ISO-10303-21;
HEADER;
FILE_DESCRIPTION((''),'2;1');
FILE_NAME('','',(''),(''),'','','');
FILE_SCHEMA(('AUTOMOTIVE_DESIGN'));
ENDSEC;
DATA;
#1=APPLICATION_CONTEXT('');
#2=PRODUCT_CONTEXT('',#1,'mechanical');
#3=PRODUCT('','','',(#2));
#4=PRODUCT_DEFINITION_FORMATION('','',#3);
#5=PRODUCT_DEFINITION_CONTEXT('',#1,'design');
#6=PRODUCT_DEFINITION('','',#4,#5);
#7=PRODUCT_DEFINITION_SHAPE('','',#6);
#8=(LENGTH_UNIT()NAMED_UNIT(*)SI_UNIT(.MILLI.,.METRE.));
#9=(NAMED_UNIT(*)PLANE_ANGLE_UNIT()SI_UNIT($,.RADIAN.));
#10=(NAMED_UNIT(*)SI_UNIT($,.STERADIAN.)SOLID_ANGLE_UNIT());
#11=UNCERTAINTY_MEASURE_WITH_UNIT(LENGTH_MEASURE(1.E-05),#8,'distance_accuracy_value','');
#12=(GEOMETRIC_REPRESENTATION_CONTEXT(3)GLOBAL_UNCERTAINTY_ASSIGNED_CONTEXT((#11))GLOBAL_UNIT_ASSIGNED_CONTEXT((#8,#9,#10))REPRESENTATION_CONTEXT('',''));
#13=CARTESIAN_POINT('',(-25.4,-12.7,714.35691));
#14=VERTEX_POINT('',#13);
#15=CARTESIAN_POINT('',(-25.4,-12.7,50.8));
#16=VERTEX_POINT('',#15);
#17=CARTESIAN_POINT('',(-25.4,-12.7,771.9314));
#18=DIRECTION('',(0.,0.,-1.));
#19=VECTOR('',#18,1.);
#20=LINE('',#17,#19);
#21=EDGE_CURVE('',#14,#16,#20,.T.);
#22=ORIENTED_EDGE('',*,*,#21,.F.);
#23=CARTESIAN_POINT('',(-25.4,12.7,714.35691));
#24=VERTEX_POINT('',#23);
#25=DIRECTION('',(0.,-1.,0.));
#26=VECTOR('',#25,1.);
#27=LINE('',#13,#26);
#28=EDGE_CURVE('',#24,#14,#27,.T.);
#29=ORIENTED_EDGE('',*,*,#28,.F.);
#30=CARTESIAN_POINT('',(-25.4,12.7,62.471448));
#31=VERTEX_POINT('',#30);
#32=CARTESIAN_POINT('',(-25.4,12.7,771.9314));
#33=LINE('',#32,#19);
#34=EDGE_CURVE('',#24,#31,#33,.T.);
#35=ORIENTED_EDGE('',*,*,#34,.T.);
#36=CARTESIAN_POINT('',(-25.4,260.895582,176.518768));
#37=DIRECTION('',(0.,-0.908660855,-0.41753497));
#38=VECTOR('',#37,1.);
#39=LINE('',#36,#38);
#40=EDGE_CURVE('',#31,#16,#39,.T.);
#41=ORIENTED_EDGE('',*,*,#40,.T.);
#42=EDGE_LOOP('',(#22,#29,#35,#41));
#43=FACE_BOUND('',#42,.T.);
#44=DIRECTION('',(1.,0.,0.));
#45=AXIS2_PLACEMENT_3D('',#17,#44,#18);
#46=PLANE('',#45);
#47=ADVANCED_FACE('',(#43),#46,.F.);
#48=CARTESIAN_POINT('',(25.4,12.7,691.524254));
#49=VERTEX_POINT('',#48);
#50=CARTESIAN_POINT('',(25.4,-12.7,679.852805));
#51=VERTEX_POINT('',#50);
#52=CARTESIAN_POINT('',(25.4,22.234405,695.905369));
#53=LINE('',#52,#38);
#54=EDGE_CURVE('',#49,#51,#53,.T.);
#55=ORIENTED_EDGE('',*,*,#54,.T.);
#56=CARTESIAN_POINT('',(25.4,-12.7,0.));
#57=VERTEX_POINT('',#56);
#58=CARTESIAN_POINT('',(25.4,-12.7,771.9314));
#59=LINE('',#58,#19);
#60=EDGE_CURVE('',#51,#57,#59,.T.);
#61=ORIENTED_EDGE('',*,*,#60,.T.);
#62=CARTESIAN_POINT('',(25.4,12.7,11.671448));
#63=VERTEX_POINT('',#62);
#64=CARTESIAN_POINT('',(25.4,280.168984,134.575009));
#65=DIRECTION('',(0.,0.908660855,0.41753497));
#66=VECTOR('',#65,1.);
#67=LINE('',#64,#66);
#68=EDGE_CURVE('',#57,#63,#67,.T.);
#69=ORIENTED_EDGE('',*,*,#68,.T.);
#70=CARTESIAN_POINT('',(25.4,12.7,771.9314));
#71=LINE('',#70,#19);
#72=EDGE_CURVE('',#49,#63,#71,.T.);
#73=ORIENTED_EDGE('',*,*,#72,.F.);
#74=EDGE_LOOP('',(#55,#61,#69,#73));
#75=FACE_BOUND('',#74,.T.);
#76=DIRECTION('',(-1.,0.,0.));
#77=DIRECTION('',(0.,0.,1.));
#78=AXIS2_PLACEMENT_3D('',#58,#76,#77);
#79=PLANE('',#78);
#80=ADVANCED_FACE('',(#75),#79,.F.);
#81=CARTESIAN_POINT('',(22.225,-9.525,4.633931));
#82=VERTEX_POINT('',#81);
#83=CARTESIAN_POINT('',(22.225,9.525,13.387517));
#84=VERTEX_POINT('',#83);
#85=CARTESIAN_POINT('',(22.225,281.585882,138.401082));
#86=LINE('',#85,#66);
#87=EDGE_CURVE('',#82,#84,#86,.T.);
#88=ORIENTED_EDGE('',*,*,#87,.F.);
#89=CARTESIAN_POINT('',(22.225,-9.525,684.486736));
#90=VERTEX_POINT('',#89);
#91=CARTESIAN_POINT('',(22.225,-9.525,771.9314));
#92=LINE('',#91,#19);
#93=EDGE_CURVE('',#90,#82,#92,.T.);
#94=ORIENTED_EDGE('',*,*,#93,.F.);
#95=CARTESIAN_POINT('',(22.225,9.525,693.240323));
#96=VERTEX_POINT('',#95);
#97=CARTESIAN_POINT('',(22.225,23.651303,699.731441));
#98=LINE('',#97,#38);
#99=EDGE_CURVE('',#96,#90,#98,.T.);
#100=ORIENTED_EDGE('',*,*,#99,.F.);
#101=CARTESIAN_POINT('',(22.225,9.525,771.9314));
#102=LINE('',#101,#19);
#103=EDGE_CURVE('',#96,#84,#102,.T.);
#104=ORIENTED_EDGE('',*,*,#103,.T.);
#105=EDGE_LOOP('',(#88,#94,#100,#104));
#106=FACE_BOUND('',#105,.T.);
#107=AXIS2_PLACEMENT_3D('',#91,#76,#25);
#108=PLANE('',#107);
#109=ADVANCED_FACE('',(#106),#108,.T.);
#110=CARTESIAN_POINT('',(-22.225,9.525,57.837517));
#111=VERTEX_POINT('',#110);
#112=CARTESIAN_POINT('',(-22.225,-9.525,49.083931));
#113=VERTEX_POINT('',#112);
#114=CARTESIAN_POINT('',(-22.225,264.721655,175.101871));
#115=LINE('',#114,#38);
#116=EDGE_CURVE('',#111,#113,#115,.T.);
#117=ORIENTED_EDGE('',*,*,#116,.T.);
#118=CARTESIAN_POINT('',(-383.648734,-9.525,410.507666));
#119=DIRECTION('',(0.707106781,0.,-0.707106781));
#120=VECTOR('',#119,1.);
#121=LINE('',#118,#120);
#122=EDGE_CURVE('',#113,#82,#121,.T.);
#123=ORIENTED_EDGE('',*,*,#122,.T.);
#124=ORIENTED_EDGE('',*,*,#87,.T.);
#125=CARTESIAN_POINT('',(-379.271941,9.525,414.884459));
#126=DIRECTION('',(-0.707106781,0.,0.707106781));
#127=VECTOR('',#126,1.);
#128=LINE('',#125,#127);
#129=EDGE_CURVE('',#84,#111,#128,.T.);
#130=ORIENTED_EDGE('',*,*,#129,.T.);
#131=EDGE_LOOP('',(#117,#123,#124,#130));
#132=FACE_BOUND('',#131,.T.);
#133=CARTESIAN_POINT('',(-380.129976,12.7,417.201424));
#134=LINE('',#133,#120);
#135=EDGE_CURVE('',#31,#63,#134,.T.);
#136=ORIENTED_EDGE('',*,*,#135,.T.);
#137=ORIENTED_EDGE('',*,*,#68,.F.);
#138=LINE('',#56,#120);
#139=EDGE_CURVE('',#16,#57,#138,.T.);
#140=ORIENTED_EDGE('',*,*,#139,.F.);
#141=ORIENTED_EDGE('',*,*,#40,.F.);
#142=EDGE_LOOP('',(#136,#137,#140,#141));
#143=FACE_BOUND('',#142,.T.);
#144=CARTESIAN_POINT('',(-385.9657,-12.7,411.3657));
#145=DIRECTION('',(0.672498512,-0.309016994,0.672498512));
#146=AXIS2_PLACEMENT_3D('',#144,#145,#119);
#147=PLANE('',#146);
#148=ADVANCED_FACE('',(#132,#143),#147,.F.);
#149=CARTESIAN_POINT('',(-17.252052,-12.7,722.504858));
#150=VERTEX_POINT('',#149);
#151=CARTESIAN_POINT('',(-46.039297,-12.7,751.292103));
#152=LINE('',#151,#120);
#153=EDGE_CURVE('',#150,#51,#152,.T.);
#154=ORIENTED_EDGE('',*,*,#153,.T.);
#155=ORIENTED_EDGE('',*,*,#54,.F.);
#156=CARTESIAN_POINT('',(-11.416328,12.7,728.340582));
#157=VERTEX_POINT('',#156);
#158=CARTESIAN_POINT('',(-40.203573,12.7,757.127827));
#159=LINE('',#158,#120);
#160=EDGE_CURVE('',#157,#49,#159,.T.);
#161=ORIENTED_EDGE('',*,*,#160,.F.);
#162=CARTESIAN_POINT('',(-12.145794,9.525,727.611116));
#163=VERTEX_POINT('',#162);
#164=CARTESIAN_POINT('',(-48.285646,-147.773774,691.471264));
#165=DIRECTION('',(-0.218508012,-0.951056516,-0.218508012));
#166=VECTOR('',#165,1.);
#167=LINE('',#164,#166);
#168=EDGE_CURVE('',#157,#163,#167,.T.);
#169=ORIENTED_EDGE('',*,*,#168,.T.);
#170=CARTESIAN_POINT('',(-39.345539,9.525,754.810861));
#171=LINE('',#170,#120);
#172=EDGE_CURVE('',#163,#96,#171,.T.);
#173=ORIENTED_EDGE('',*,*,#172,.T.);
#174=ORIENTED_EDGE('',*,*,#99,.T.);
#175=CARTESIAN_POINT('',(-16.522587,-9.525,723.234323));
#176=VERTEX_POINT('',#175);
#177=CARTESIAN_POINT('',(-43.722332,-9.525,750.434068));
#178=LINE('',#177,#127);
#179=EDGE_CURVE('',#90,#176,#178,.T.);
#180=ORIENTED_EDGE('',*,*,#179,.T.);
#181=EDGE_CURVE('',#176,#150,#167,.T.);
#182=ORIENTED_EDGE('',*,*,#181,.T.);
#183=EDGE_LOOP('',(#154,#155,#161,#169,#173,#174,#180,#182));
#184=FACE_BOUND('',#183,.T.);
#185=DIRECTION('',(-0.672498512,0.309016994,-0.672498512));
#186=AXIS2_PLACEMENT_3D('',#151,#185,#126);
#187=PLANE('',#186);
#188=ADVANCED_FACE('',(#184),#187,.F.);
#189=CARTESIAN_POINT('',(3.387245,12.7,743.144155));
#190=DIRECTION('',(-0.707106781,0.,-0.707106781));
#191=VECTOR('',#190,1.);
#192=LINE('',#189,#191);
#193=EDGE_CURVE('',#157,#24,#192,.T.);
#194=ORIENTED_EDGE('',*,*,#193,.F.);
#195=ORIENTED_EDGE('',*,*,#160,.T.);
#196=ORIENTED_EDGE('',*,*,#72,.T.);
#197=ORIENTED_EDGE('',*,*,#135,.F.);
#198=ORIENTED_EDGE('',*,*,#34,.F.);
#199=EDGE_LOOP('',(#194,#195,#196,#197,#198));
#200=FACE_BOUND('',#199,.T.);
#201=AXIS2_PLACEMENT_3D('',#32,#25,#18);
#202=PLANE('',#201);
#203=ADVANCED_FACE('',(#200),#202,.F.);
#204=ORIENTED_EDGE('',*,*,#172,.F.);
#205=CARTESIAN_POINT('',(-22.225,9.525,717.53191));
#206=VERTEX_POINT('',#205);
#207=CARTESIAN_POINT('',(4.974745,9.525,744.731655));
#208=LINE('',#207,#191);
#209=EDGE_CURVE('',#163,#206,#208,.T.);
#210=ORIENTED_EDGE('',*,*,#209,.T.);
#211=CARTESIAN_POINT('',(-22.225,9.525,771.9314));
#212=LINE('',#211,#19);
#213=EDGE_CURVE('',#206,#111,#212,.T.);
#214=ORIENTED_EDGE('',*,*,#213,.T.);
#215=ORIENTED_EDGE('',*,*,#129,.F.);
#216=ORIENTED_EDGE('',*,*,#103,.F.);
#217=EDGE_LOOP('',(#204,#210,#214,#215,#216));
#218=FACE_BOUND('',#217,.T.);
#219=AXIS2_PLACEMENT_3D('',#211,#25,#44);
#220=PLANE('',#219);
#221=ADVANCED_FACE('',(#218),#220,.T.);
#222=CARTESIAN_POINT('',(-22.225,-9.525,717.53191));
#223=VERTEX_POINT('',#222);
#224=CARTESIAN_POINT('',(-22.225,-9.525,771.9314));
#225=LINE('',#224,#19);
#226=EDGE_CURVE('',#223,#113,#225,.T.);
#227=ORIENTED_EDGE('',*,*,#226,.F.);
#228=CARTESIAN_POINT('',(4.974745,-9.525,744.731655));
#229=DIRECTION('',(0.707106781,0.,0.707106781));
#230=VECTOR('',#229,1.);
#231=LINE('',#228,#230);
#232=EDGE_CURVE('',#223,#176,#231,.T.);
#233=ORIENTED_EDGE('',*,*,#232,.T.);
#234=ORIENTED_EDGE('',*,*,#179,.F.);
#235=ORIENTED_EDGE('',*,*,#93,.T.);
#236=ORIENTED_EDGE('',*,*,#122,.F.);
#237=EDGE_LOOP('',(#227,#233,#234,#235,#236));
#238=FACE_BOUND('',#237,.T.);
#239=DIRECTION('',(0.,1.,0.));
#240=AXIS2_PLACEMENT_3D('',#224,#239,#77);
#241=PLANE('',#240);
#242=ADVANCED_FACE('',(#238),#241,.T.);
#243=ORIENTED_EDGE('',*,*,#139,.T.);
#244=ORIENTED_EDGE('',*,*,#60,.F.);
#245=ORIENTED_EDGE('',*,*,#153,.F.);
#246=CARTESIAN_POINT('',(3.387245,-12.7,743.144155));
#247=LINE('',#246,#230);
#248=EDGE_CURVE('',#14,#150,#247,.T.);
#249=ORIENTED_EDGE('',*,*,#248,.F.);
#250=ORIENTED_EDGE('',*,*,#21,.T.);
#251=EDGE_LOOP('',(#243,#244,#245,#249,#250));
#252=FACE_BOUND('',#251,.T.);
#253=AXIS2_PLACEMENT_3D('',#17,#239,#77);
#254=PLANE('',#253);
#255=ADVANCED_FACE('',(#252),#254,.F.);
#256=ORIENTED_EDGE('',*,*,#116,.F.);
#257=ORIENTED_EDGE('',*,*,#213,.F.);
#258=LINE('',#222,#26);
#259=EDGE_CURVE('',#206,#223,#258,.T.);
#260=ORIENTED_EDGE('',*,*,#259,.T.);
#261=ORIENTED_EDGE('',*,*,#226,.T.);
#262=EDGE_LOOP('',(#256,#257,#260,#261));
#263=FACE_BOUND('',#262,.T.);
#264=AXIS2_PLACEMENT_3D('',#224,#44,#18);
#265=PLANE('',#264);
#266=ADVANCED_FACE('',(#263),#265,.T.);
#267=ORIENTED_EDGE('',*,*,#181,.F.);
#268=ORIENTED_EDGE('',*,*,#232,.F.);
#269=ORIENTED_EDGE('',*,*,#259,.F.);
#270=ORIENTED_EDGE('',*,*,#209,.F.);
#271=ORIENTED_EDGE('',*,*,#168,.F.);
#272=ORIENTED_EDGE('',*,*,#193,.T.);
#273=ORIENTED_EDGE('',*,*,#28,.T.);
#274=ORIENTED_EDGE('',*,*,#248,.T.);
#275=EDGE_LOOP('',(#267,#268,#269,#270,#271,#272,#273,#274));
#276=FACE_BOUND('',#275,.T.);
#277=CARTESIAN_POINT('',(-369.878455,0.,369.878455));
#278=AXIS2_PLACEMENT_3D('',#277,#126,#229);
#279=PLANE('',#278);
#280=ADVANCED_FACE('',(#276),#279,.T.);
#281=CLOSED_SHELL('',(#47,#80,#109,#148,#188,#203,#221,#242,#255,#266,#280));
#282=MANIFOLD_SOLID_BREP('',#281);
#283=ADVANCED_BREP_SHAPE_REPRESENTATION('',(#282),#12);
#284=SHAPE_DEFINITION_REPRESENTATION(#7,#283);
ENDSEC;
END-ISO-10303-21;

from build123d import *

# Parameters (mm, degrees)
SKETCH1_W                = 50.8
SKETCH1_H                = 25.4
SKETCH1_W_2              = 44.45
SKETCH1_H_2              = 19.05
BOSS_EXTRUDE1_DEPTH      = 771.9314
CUT_EXTRUDE1_DEPTH       = 773.76672179
SKETCH10_W               = 90.356784756
SKETCH10_H               = 129.906903396
CUT_EXTRUDE8_DEPTH       = 40.64
CUT_EXTRUDE9_DEPTH       = 1230.239509376
CUT_EXTRUDE10_DEPTH      = 567.92953801
CUT_EXTRUDE10_DEPTH_BACK = 567.92953801


with BuildPart() as part:
    # Sketch1 → Boss-Extrude1 (new body)
    with BuildSketch(Plane.XY):
        Rectangle(SKETCH1_W, SKETCH1_H)
        Rectangle(SKETCH1_W_2, SKETCH1_H_2, mode=Mode.SUBTRACT)
    extrude(amount=BOSS_EXTRUDE1_DEPTH)

    # Sketch2 → Cut-Extrude1 (cut, through all)
    with BuildSketch(Plane(origin=(0, 12.7, 0), x_dir=(1, 0, 0), z_dir=(0, 1, 0))):
        Polygon((25.4, 0), (-25.4, -50.8), (-25.4, 0), align=None)
        Polygon((-25.4, -771.9314), (25.4, -721.1314), (25.4, -771.9314), align=None)
    extrude(amount=-CUT_EXTRUDE1_DEPTH, mode=Mode.SUBTRACT)

    # Sketch10 → Cut-Extrude8 (cut)
    with BuildSketch(Plane(origin=(-369.87845504, 0, 369.87845504), x_dir=(-0.7071067811865528, 0, -0.7071067811865422), z_dir=(0.7071067811865422, 0, -0.7071067811865528))):
        with Locations((-494.442187508, 23.675993241)):
            Rectangle(SKETCH10_W, SKETCH10_H)
    extrude(amount=-CUT_EXTRUDE8_DEPTH, mode=Mode.SUBTRACT)


with BuildPart() as cut_extrude8_piece_1:
    # of the separate pieces the step leaves, piece 1, a body of its own (cut_extrude8_pieces)
    add(part.part.solids().sort_by_distance((25.4, -12.7, 0))[0])

    # Sketch11 → Cut-Extrude9 (cut, through all)
    with BuildSketch(Plane(origin=(386.259110354, 0, -386.259110354), x_dir=(-0.7071067811865541, -3.472433466129024e-15, -0.7071067811865409), z_dir=(0.7071067811865409, -3.4724334661290888e-15, -0.7071067811865541))):
        Polygon((-17.960512242, -12.7), (-26.213472526, 12.7), (-17.960512242, 12.7), align=None)
    extrude(amount=-CUT_EXTRUDE9_DEPTH, mode=Mode.SUBTRACT)


with BuildPart() as cut_extrude8_piece_2:
    # of the separate pieces the step leaves, piece 2, a body of its own (cut_extrude8_pieces)
    add(part.part.solids().sort_by_distance((-25.349574627, -12.7, 771.880974627))[0])


with BuildPart() as cut_extrude10_tool:
    # Sketch12 → Cut-Extrude10 (new, two sides: drawn at the far end of the back side and taken through both)
    with BuildSketch(Plane(origin=(-332.161379331, 0, 332.161379331), x_dir=(-0.7071067811865526, 0, -0.7071067811865425), z_dir=(0.7071067811865425, 0, -0.7071067811865526)).offset(-CUT_EXTRUDE10_DEPTH_BACK)):
        Polygon((-498.689041164, -12.7), (-506.942001448, 12.7), (-527.877415309, 12.7), (-527.877415309, -12.7), align=None)
    extrude(amount=CUT_EXTRUDE10_DEPTH + CUT_EXTRUDE10_DEPTH_BACK)


with BuildPart() as cut_extrude8_piece_1_1:
    add(cut_extrude8_piece_1.part)

    # Cut-Extrude10: cut by cut_extrude10_tool
    add(cut_extrude10_tool.part, mode=Mode.SUBTRACT)


with BuildPart() as cut_extrude8_piece_2_1:
    add(cut_extrude8_piece_2.part)

    # Cut-Extrude10: cut by cut_extrude10_tool
    add(cut_extrude10_tool.part, mode=Mode.SUBTRACT)


solid = cut_extrude8_piece_1_1.part
